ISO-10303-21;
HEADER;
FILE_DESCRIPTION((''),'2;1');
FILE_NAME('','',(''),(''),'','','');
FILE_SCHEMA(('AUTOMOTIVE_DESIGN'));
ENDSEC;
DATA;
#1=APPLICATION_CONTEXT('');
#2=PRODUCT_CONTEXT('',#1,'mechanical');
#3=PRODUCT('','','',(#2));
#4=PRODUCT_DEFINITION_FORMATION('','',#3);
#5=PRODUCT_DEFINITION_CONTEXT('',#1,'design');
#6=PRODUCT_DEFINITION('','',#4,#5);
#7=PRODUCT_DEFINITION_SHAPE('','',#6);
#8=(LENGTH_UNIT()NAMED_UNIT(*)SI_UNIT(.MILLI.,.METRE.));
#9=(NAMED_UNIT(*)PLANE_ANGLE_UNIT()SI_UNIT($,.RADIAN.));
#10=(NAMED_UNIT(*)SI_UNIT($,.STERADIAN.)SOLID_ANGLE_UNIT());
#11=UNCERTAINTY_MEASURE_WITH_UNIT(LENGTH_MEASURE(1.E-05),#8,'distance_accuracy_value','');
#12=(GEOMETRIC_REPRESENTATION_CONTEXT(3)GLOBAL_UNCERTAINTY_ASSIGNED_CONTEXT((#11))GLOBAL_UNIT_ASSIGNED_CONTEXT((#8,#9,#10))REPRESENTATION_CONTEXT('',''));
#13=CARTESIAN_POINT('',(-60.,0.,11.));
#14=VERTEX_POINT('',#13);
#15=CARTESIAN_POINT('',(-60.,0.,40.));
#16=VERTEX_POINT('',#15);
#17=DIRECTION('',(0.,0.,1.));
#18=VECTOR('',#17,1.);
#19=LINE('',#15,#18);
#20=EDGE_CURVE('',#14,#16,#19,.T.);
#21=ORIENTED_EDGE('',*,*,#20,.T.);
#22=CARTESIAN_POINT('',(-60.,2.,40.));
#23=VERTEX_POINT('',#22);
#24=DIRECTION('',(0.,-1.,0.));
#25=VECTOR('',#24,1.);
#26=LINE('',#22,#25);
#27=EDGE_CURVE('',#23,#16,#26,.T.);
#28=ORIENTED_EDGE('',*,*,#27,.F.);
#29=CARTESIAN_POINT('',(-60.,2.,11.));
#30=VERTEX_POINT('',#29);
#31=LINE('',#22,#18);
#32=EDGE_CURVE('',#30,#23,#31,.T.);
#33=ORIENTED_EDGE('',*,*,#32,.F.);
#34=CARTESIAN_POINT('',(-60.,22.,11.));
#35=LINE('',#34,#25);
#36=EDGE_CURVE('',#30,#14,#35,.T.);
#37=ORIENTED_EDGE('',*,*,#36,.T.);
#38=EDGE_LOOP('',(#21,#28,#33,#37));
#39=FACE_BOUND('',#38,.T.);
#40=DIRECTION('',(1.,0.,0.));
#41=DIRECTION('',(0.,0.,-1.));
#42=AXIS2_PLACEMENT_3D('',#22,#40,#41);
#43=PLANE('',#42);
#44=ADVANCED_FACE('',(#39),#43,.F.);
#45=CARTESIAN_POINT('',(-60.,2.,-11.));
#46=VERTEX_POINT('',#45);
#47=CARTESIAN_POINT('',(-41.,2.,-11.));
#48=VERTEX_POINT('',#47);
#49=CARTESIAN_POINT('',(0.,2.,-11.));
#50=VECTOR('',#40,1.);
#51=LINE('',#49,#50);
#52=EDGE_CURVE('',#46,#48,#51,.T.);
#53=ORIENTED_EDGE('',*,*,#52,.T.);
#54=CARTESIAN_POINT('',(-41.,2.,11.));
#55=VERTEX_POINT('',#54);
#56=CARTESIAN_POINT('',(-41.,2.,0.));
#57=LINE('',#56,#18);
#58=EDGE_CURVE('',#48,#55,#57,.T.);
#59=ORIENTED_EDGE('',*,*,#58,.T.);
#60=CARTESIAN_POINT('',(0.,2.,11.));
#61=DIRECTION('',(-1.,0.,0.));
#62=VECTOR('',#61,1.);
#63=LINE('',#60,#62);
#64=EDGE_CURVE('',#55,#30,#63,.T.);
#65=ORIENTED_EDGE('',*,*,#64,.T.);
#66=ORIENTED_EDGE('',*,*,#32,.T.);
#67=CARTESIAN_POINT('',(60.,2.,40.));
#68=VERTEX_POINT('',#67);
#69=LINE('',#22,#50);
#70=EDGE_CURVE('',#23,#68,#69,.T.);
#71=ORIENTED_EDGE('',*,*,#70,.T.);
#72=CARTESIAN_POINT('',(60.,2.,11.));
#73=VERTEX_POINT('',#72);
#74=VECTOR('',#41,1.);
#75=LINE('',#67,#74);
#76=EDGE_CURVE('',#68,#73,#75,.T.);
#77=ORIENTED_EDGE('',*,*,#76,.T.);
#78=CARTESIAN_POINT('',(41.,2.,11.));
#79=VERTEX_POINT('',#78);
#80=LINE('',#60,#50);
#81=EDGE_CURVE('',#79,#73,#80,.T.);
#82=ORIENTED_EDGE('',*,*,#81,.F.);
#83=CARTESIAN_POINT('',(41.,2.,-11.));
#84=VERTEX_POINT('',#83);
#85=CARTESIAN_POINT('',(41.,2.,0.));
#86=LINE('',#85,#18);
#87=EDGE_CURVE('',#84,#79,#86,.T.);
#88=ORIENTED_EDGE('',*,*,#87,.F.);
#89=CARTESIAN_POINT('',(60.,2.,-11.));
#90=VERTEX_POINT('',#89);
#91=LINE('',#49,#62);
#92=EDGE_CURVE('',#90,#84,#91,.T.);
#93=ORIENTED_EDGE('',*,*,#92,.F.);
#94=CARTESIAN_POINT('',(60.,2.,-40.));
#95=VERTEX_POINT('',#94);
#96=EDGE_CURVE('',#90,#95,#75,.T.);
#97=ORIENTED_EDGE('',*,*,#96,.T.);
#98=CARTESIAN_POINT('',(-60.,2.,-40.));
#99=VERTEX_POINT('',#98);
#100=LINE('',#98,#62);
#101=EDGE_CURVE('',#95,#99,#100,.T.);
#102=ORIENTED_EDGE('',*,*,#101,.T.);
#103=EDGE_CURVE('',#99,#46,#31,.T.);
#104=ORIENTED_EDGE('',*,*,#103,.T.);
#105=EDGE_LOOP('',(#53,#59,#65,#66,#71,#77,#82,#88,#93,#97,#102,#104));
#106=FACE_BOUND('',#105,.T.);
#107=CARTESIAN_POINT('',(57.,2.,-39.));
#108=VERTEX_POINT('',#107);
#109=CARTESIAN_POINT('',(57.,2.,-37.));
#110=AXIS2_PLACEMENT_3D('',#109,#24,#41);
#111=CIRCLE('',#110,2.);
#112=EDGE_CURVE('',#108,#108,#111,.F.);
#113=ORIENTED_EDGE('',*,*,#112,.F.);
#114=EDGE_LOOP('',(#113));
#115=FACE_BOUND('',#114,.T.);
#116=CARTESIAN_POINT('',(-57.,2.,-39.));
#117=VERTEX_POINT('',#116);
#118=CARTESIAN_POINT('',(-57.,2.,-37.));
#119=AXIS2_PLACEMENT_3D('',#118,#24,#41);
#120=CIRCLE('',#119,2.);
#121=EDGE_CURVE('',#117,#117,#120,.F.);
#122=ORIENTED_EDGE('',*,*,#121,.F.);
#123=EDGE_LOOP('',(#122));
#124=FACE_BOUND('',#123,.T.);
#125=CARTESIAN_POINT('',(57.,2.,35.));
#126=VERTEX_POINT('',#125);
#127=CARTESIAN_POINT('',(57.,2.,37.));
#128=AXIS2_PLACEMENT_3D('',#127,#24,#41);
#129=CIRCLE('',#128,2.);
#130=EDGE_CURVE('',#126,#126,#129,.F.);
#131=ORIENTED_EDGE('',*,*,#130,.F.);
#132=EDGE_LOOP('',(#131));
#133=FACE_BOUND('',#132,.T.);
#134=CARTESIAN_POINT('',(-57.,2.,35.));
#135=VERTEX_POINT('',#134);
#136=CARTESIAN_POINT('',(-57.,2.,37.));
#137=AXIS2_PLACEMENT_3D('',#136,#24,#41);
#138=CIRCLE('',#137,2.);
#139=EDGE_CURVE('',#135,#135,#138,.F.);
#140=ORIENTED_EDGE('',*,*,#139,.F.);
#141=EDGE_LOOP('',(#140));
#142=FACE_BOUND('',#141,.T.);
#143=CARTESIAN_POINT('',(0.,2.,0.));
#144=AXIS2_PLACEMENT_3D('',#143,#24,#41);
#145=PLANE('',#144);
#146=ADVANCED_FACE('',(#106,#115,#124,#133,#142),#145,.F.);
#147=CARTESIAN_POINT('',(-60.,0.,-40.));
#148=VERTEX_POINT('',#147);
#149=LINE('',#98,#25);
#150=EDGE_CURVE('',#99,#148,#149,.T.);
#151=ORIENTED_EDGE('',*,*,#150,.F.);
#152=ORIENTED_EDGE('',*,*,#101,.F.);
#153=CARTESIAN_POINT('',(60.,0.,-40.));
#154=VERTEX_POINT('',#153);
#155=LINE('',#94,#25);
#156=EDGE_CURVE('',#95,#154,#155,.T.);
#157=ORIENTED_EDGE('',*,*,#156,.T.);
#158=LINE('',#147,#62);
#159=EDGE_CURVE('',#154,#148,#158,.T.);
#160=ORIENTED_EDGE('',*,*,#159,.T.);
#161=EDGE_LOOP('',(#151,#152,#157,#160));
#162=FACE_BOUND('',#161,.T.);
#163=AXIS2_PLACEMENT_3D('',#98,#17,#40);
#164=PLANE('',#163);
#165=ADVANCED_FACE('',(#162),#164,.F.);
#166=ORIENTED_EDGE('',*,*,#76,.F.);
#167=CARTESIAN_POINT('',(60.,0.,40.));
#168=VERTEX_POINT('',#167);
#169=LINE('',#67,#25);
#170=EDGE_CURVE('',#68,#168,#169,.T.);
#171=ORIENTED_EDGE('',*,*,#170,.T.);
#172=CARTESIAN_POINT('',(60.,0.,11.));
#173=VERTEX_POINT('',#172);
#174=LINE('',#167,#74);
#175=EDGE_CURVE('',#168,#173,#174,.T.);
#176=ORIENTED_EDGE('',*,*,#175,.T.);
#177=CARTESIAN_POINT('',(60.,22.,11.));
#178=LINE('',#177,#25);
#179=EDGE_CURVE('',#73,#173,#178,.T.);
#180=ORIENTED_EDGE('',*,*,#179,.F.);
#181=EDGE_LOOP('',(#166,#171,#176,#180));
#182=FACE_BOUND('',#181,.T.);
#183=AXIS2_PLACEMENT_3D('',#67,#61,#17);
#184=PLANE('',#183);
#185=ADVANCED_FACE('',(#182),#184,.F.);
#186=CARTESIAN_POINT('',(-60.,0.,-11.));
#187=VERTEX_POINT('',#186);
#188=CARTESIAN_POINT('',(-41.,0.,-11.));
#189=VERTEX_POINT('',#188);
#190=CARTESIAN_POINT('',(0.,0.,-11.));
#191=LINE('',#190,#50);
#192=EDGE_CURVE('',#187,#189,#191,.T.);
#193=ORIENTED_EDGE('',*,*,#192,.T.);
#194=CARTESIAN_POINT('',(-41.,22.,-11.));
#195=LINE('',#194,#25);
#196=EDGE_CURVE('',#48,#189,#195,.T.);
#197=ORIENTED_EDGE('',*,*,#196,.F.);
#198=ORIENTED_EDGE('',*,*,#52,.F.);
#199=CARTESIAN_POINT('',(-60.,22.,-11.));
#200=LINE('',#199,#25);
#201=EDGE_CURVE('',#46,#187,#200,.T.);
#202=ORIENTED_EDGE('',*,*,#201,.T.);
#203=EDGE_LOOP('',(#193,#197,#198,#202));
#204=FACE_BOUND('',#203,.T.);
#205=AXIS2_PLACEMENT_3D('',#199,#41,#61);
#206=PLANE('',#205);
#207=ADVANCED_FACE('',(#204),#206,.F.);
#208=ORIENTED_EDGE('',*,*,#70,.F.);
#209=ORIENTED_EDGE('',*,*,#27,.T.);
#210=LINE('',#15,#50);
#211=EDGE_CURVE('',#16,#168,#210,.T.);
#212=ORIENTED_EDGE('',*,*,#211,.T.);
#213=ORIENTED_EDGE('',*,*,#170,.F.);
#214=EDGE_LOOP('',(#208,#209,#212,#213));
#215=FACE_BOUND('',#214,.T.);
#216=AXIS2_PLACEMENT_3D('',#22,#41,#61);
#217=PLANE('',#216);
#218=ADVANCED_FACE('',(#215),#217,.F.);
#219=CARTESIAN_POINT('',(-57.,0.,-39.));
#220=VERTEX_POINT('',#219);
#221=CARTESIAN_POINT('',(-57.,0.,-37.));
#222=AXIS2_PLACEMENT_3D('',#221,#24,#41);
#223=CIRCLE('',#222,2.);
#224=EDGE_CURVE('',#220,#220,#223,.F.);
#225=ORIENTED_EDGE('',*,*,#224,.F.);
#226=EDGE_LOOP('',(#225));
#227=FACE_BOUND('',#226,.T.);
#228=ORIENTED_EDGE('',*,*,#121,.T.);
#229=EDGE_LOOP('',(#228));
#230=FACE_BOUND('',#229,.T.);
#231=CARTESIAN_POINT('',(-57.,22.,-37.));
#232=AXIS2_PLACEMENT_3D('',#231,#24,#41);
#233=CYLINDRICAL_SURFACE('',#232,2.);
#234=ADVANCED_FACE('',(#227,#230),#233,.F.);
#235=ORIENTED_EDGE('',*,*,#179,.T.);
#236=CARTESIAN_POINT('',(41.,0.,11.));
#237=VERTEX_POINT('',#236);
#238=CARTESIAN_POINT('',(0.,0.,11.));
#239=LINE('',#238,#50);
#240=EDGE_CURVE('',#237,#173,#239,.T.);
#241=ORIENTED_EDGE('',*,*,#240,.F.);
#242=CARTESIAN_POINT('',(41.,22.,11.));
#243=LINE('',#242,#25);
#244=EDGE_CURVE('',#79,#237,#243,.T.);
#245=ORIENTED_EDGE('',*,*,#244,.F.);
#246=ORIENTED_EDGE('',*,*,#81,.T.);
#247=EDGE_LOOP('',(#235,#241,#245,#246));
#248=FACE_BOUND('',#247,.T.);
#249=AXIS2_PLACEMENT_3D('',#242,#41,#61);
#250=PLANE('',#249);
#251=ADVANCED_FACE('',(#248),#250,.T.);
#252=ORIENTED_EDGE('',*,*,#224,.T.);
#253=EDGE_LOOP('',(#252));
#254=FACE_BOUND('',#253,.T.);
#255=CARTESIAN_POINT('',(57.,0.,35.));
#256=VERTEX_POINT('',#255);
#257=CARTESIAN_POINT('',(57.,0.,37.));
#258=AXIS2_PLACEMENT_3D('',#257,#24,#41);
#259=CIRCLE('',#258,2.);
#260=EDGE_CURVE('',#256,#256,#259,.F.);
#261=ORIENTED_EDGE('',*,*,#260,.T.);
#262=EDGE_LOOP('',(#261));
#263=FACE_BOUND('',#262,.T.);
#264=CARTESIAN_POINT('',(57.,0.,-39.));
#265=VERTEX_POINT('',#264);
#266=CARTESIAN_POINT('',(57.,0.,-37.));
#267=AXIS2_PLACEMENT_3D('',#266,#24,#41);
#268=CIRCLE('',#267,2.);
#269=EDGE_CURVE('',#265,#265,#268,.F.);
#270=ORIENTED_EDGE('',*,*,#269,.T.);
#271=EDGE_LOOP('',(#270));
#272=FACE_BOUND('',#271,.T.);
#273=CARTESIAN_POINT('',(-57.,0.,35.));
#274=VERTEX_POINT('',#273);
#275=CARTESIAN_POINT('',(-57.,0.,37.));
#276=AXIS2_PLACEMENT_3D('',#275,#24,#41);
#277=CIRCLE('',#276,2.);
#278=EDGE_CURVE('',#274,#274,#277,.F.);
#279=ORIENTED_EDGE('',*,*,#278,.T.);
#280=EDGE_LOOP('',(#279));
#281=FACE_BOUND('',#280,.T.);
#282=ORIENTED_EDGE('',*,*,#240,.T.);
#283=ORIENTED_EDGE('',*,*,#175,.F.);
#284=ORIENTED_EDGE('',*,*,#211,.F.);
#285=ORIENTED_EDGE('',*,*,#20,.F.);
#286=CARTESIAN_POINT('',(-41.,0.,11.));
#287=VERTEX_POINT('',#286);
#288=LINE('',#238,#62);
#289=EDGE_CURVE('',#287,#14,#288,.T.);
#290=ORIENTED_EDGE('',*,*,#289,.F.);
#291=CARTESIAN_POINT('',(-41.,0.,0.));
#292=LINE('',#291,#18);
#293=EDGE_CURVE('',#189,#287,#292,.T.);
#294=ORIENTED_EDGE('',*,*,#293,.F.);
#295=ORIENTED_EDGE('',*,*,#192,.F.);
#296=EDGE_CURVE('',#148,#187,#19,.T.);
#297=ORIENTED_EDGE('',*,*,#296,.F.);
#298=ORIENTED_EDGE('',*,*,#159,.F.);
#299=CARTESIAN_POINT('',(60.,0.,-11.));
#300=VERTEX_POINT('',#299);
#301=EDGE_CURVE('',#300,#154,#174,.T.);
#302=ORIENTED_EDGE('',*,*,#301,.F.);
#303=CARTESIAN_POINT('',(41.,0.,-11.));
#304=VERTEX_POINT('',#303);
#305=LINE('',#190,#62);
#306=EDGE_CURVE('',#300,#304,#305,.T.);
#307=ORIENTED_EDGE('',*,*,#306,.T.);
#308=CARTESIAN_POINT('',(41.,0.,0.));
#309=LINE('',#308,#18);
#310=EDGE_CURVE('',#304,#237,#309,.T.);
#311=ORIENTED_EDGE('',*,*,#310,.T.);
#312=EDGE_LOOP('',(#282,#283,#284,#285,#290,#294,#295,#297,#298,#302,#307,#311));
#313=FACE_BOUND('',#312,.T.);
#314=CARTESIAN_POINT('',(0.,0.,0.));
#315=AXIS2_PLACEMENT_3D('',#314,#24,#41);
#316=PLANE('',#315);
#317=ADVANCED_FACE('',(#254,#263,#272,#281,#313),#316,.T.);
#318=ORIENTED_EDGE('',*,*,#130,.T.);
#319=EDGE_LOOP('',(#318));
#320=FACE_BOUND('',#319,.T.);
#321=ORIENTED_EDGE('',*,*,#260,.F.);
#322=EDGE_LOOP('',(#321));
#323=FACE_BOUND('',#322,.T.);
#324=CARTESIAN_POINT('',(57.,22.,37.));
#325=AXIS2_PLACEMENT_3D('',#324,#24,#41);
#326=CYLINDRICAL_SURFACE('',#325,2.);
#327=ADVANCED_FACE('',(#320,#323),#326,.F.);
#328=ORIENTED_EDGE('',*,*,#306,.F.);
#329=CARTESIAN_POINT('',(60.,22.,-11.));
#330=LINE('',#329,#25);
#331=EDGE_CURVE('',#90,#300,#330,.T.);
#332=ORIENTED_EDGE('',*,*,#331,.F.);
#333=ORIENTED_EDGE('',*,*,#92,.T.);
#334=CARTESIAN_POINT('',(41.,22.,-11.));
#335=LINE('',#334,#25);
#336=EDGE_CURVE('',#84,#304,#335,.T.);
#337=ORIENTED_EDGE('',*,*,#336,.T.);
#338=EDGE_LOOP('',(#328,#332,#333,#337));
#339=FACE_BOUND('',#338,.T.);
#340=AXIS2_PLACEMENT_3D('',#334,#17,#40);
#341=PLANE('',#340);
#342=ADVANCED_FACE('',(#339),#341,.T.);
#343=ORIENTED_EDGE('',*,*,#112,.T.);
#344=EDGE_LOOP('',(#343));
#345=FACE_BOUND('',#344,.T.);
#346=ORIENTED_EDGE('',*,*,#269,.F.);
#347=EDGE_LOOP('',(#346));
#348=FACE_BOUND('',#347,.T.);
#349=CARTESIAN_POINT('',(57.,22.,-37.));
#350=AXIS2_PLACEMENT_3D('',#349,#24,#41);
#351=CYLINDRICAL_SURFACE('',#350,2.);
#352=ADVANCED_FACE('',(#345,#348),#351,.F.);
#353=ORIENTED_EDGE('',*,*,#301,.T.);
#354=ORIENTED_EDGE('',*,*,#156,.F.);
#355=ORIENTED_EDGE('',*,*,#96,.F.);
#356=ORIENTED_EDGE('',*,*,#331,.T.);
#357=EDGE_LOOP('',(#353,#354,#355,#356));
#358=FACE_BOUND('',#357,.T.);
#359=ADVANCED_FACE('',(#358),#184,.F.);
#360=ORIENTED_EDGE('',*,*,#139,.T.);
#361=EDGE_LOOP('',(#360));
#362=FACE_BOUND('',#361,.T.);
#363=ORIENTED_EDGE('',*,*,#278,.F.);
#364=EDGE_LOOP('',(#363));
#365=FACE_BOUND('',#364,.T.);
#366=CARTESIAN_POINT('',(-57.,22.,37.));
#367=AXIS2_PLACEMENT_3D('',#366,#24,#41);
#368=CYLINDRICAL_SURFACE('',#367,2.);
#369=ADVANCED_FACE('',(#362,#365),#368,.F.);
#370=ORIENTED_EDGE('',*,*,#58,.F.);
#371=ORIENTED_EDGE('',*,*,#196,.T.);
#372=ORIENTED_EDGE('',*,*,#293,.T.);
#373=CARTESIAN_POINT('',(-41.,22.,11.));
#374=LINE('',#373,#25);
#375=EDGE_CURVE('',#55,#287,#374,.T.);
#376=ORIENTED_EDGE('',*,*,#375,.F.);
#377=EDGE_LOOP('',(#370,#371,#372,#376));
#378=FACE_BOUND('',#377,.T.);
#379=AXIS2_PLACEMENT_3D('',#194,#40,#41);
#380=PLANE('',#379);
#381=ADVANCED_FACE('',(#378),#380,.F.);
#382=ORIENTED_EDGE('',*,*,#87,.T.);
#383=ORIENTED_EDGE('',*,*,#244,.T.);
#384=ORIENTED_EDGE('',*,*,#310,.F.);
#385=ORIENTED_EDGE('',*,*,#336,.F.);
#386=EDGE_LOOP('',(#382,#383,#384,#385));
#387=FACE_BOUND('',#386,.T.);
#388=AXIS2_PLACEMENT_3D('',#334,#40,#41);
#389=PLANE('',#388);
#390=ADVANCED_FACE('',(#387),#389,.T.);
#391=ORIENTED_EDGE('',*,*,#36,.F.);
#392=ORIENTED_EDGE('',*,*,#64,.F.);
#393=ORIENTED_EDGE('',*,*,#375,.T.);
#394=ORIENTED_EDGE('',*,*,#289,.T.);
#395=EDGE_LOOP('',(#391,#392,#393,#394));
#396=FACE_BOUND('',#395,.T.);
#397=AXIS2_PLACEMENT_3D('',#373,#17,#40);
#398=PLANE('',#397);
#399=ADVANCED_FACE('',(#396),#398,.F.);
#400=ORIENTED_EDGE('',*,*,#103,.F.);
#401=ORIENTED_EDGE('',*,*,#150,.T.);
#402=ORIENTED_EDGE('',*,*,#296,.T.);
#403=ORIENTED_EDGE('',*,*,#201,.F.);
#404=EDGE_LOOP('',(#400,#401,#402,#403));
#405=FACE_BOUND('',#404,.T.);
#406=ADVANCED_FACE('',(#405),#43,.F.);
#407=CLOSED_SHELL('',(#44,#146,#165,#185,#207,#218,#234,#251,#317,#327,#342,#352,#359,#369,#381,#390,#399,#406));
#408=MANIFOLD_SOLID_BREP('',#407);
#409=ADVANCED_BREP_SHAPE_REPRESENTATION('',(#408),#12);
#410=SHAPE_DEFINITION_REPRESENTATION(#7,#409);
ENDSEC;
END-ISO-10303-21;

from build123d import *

# Parameters (mm, degrees)
SKETCH1_W               = 120
SKETCH1_H               = 80
BOSS_EXTRUDE1_DEPTH     = 2
CUT_EXTRUDE1_DEPTH      = 20
CUT_EXTRUDE1_DEPTH_BACK = 20
SKETCH2_W               = 19
SKETCH2_H               = 22
CUT_EXTRUDE2_DEPTH      = 20
CUT_EXTRUDE2_DEPTH_BACK = 20
SKETCH3_W               = 19
SKETCH3_H               = 22
CUT_EXTRUDE3_DEPTH      = 20
CUT_EXTRUDE3_DEPTH_BACK = 20
SKETCH4_R               = 2


with BuildPart() as part:
    # Sketch1 → Boss-Extrude1 (new body)
    with BuildSketch(Plane(origin=(0, 0, 0), x_dir=(1, 0, 0), z_dir=(0, 1, 0))):
        Rectangle(SKETCH1_W, SKETCH1_H)
    extrude(amount=BOSS_EXTRUDE1_DEPTH)

    # Sketch2 → Cut-Extrude1 (cut, two sides: drawn at the far end of the back side and taken through both)
    with BuildSketch(Plane(origin=(0, 2, 0), x_dir=(1, 0, 0), z_dir=(0, 1, 0)).offset(-CUT_EXTRUDE1_DEPTH_BACK)):
        with Locations((-50.5, 0)):
            Rectangle(SKETCH2_W, SKETCH2_H)
    extrude(amount=CUT_EXTRUDE1_DEPTH + CUT_EXTRUDE1_DEPTH_BACK, mode=Mode.SUBTRACT)

    # Sketch3 → Cut-Extrude2 (cut, two sides: drawn at the far end of the back side and taken through both)
    with BuildSketch(Plane(origin=(0, 2, 0), x_dir=(1, 0, 0), z_dir=(0, 1, 0)).offset(-CUT_EXTRUDE2_DEPTH_BACK)):
        with Locations((50.5, 0)):
            Rectangle(SKETCH3_W, SKETCH3_H)
    extrude(amount=CUT_EXTRUDE2_DEPTH + CUT_EXTRUDE2_DEPTH_BACK, mode=Mode.SUBTRACT)

    # Sketch4 → Cut-Extrude3 (cut, two sides: drawn at the far end of the back side and taken through both)
    with BuildSketch(Plane(origin=(0, 2, 0), x_dir=(1, 0, 0), z_dir=(0, 1, 0)).offset(-CUT_EXTRUDE3_DEPTH_BACK)):
        with Locations((-57, 37)):
            Circle(SKETCH4_R)
        with Locations((57, 37)):
            Circle(SKETCH4_R)
        with Locations((57, -37)):
            Circle(SKETCH4_R)
        with Locations((-57, -37)):
            Circle(SKETCH4_R)
    extrude(amount=CUT_EXTRUDE3_DEPTH + CUT_EXTRUDE3_DEPTH_BACK, mode=Mode.SUBTRACT)


solid = part.part
